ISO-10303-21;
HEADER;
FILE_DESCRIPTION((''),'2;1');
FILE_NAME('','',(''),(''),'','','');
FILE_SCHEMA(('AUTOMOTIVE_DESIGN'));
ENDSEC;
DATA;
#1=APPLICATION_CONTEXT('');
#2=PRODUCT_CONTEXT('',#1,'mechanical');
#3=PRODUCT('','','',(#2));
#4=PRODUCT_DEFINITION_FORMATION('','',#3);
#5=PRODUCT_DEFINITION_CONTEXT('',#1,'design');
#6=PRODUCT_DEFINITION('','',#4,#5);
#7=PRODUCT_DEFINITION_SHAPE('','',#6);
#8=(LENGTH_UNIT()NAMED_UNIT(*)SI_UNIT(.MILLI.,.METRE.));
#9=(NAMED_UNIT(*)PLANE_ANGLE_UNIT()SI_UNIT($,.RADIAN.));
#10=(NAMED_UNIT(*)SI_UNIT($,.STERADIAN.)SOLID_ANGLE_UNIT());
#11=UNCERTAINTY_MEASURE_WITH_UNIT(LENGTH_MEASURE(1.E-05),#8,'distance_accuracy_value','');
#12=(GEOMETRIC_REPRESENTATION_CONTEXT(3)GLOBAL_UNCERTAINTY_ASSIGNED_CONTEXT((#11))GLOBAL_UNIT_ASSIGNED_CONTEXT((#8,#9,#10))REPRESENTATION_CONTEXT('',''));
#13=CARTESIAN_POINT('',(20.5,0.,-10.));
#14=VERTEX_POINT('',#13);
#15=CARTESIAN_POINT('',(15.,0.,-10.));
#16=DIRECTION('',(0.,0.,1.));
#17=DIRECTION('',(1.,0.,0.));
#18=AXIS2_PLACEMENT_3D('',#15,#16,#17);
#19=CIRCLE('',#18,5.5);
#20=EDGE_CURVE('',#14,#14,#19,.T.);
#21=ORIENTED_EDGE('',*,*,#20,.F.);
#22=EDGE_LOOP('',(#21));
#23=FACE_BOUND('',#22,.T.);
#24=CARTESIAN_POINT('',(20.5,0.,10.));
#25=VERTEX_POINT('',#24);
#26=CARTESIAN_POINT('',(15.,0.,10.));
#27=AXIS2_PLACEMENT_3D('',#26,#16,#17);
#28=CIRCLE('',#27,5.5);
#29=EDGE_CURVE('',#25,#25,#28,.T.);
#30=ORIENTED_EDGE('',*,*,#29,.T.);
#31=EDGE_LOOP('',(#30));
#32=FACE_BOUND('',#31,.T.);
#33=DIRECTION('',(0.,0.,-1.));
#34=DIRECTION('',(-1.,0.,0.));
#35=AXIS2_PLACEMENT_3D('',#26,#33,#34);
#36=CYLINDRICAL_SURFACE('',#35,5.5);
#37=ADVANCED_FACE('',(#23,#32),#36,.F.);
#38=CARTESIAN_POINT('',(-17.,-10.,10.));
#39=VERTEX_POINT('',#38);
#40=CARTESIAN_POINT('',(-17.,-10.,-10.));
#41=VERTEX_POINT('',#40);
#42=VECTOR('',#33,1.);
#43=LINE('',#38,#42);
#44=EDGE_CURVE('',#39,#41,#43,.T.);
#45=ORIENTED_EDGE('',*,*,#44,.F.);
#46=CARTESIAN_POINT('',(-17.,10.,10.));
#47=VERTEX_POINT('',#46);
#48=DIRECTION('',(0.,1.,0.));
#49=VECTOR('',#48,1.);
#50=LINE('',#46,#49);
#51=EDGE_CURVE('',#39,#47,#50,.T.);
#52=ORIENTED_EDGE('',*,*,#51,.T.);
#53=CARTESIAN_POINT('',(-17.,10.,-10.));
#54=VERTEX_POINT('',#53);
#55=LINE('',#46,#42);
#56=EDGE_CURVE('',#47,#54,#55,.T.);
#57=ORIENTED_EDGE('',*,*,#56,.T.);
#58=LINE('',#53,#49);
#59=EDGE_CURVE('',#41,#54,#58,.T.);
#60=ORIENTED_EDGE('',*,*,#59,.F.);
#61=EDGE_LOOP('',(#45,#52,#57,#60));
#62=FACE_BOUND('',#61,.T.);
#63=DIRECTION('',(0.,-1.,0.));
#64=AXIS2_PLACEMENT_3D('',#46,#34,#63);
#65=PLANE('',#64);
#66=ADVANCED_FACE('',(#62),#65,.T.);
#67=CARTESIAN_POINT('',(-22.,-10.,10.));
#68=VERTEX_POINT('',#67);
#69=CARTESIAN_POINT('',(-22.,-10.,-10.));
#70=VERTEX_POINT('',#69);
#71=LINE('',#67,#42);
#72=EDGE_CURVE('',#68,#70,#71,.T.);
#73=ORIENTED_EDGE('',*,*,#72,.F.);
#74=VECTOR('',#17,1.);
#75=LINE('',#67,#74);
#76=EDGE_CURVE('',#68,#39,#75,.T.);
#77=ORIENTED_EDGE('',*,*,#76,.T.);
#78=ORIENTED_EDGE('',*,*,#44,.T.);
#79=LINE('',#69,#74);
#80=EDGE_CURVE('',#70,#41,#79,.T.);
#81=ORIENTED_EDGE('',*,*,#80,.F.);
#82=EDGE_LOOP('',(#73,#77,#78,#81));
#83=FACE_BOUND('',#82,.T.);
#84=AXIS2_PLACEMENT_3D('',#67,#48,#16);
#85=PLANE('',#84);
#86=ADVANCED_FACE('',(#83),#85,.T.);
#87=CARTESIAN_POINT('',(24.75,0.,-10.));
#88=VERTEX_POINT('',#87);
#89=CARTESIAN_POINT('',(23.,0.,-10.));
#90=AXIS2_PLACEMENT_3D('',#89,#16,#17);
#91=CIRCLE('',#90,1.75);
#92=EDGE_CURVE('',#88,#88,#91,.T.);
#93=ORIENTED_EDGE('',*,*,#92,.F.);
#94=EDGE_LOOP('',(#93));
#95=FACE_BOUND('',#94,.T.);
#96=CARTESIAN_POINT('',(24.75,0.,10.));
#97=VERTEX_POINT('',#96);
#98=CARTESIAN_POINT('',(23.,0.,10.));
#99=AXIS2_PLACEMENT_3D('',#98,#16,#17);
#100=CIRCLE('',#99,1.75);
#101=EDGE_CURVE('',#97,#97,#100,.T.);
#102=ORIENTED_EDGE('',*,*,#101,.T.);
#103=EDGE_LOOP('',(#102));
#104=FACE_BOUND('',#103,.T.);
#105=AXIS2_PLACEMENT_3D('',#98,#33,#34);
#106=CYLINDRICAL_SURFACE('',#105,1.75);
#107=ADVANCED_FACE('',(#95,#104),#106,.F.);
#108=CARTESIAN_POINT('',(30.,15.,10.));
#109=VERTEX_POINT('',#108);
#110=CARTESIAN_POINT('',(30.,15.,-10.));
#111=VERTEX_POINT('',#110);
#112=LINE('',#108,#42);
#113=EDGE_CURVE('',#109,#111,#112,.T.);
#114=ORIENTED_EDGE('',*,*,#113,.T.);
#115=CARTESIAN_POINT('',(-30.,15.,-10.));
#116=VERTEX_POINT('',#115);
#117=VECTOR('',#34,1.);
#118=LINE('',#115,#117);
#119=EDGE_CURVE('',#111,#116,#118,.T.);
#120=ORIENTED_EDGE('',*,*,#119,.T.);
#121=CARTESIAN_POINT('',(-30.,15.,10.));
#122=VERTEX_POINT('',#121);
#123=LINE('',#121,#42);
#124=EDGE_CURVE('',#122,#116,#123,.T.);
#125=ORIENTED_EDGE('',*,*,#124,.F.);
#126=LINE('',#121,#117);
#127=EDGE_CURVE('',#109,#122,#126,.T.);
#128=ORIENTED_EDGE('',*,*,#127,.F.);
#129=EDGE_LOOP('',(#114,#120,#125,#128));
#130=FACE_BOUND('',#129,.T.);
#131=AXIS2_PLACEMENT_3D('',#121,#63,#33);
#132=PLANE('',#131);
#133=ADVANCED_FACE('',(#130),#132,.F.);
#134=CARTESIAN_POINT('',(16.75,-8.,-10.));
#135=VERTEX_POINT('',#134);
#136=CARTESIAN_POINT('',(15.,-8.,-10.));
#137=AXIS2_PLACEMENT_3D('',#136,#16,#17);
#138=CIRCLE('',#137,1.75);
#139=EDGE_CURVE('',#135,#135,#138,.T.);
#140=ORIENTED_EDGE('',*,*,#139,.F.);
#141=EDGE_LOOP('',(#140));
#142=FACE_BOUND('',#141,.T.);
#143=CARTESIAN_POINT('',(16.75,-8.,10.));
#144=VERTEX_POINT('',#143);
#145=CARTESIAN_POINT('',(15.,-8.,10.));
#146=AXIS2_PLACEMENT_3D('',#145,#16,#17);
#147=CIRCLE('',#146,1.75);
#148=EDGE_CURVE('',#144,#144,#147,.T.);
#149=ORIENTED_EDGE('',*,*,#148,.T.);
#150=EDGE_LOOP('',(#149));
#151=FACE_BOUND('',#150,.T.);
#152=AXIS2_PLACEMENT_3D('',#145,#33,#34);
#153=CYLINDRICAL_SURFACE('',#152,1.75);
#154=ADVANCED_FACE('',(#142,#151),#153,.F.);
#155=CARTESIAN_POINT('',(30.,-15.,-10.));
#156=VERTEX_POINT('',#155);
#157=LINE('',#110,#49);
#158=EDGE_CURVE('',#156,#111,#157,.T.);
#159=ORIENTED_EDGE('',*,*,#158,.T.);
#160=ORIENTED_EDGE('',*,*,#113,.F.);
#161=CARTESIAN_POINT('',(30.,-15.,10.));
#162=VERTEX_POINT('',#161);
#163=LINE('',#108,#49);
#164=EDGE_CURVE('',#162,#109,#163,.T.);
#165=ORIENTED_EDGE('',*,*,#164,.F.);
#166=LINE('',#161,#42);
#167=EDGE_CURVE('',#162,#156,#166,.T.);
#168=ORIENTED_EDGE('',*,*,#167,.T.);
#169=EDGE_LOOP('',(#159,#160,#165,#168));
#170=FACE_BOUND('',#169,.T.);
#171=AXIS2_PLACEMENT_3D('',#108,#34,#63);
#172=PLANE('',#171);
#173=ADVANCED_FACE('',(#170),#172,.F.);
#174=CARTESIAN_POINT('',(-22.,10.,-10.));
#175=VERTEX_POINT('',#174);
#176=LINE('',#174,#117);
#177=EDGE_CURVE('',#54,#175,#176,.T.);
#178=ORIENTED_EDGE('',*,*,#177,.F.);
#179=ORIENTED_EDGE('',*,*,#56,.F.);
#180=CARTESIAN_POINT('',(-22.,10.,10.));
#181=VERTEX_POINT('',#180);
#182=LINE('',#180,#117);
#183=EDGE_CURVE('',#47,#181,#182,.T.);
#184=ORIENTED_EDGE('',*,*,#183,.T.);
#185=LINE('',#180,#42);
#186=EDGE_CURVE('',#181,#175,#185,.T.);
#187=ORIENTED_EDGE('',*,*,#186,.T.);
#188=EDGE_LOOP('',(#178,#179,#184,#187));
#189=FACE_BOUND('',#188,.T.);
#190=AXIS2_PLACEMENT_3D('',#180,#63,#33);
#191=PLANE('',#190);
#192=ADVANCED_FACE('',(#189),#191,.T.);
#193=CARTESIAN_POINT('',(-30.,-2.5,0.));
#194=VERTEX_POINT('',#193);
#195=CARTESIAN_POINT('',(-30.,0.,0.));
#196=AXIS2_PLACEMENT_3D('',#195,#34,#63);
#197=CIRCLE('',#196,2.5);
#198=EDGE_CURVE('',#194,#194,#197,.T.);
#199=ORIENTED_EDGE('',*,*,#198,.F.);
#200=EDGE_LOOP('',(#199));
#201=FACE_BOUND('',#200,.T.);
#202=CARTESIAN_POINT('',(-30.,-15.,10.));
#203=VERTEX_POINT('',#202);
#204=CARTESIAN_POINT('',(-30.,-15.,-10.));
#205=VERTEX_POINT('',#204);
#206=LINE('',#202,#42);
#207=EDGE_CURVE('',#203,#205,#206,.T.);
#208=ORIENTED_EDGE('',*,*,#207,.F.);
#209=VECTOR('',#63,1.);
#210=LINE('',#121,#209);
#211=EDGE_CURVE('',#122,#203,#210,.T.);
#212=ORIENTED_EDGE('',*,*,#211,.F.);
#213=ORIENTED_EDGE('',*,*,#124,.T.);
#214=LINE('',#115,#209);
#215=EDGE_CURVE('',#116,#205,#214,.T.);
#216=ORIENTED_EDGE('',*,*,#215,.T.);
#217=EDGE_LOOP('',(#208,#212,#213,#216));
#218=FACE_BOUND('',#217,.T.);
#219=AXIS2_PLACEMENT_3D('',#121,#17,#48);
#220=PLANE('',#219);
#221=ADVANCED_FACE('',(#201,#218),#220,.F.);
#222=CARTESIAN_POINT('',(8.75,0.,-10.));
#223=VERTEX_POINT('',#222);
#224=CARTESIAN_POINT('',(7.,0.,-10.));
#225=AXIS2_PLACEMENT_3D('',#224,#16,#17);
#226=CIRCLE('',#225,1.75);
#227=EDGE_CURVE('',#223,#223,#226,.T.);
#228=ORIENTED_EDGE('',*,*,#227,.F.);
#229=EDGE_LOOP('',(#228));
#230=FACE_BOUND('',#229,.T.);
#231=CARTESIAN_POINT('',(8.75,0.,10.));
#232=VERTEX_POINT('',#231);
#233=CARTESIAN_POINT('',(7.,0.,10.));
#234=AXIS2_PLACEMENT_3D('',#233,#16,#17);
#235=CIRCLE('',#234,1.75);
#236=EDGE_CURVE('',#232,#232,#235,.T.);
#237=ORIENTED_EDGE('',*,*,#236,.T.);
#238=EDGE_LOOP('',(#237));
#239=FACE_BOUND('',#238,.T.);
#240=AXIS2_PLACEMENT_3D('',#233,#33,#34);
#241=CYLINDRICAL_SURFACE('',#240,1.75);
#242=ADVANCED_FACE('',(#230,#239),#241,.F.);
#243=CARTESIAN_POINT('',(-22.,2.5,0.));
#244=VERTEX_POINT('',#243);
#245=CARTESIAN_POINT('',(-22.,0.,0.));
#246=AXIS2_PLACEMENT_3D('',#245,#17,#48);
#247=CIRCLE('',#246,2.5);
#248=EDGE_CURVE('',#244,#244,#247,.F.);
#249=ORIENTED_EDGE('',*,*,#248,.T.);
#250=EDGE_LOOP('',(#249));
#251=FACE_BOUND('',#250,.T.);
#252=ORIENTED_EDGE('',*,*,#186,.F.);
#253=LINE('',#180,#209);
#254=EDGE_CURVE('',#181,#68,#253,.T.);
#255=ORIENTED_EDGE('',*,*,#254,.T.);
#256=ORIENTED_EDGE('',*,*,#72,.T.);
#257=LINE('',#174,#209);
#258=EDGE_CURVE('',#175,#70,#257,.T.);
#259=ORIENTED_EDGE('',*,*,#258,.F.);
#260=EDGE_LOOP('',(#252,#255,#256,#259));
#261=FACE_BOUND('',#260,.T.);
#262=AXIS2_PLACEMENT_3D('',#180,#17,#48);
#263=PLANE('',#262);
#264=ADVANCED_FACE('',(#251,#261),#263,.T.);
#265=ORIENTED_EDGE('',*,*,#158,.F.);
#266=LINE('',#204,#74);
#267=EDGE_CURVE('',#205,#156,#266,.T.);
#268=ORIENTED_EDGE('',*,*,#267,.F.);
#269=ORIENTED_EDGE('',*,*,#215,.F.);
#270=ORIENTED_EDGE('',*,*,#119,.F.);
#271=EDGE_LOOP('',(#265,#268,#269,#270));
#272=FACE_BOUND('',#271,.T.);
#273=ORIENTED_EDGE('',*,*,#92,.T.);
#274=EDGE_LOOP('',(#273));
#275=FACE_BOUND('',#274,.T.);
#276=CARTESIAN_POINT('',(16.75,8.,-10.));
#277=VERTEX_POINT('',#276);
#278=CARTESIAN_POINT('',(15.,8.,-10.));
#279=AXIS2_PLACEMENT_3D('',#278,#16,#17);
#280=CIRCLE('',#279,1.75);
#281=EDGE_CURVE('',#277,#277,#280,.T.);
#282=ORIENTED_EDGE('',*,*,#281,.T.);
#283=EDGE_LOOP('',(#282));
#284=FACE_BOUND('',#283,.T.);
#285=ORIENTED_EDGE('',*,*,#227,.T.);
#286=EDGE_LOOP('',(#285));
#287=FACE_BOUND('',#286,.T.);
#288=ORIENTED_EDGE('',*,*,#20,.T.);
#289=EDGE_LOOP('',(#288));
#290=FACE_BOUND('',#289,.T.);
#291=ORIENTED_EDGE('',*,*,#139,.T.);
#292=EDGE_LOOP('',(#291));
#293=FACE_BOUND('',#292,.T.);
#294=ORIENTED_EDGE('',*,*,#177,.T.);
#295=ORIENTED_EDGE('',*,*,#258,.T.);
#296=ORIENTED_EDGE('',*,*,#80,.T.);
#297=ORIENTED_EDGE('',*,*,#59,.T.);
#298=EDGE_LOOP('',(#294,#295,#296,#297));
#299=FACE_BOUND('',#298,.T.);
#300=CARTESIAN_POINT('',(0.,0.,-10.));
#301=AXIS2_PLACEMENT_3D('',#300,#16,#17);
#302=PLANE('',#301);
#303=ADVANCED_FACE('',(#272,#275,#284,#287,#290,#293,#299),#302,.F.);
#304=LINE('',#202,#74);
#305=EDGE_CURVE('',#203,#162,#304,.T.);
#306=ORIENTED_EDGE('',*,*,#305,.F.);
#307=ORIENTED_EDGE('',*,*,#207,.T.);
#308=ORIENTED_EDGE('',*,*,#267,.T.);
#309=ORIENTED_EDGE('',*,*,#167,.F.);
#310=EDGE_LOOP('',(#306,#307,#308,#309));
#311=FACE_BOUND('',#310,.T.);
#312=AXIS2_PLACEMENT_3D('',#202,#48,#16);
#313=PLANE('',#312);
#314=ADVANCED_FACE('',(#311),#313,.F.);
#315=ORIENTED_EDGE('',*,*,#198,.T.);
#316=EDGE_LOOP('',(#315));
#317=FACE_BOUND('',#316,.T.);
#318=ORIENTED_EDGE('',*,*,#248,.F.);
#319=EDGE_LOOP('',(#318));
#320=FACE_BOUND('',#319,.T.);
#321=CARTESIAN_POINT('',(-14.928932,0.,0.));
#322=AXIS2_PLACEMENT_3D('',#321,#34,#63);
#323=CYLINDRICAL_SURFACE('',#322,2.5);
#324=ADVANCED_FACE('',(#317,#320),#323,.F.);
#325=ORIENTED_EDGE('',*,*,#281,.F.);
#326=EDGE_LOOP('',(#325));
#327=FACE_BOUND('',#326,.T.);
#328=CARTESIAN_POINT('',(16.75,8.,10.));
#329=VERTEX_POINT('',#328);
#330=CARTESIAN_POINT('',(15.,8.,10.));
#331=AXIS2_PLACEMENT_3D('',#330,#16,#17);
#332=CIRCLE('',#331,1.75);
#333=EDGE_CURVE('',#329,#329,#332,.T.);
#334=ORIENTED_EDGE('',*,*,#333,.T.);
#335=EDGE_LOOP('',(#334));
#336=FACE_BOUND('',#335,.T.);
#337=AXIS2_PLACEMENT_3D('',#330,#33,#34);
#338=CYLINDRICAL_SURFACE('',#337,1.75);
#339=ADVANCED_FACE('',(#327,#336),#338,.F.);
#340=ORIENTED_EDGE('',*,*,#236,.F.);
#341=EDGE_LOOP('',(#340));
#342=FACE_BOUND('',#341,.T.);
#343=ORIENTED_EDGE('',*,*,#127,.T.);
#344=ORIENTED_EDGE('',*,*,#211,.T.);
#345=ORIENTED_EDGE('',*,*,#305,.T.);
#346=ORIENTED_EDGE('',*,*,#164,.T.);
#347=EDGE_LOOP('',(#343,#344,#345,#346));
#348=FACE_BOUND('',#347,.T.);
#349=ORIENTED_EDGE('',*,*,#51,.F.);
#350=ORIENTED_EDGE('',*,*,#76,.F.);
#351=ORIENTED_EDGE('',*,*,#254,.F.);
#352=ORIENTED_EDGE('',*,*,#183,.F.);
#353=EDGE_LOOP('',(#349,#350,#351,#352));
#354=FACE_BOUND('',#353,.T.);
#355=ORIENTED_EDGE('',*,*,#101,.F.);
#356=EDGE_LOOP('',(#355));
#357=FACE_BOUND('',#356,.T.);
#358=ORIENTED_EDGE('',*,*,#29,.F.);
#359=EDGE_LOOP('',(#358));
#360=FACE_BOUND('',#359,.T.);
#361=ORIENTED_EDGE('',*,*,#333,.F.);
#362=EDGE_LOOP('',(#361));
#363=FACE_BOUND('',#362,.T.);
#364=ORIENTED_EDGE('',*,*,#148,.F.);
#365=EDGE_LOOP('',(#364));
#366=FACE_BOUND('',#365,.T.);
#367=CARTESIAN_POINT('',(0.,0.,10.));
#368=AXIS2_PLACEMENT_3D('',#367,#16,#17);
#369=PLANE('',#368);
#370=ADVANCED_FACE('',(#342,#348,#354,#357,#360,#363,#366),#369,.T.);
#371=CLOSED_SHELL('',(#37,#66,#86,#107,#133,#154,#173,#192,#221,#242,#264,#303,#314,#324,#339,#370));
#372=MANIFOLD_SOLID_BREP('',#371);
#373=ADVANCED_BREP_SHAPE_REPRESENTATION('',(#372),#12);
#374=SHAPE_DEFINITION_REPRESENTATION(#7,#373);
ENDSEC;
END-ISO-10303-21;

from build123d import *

# Parameters (mm, degrees)
SKETCH1_W           = 60
SKETCH1_H           = 30
SKETCH1_R           = 5.5
SKETCH1_R_2         = 1.75
SKETCH1_W_2         = 5
SKETCH1_H_2         = 20
BOSS_EXTRUDE1_DEPTH = 10
SKETCH2_R           = 2.5
CUT_EXTRUDE1_DEPTH  = 8


with BuildPart() as part:
    # Sketch1 → Boss-Extrude1 (new, symmetric)
    with BuildSketch(Plane.XY):
        Rectangle(SKETCH1_W, SKETCH1_H)
        with Locations((15, 0)):
            Circle(SKETCH1_R, mode=Mode.SUBTRACT)
        with Locations((15, 8)):
            Circle(SKETCH1_R_2, mode=Mode.SUBTRACT)
        with Locations((23, 0)):
            Circle(SKETCH1_R_2, mode=Mode.SUBTRACT)
        with Locations((15, -8)):
            Circle(SKETCH1_R_2, mode=Mode.SUBTRACT)
        with Locations((7, 0)):
            Circle(SKETCH1_R_2, mode=Mode.SUBTRACT)
        with Locations((-19.5, 0)):
            Rectangle(SKETCH1_W_2, SKETCH1_H_2, mode=Mode.SUBTRACT)
    extrude(amount=BOSS_EXTRUDE1_DEPTH, both=True)

    # Sketch2 → Cut-Extrude1 (cut)
    with BuildSketch(Plane.ZY.offset(30)):
        with Locations(Location((0, 0, 0), (0, 0, 270))):
            Circle(SKETCH2_R)
    extrude(amount=-CUT_EXTRUDE1_DEPTH, mode=Mode.SUBTRACT)


solid = part.part
